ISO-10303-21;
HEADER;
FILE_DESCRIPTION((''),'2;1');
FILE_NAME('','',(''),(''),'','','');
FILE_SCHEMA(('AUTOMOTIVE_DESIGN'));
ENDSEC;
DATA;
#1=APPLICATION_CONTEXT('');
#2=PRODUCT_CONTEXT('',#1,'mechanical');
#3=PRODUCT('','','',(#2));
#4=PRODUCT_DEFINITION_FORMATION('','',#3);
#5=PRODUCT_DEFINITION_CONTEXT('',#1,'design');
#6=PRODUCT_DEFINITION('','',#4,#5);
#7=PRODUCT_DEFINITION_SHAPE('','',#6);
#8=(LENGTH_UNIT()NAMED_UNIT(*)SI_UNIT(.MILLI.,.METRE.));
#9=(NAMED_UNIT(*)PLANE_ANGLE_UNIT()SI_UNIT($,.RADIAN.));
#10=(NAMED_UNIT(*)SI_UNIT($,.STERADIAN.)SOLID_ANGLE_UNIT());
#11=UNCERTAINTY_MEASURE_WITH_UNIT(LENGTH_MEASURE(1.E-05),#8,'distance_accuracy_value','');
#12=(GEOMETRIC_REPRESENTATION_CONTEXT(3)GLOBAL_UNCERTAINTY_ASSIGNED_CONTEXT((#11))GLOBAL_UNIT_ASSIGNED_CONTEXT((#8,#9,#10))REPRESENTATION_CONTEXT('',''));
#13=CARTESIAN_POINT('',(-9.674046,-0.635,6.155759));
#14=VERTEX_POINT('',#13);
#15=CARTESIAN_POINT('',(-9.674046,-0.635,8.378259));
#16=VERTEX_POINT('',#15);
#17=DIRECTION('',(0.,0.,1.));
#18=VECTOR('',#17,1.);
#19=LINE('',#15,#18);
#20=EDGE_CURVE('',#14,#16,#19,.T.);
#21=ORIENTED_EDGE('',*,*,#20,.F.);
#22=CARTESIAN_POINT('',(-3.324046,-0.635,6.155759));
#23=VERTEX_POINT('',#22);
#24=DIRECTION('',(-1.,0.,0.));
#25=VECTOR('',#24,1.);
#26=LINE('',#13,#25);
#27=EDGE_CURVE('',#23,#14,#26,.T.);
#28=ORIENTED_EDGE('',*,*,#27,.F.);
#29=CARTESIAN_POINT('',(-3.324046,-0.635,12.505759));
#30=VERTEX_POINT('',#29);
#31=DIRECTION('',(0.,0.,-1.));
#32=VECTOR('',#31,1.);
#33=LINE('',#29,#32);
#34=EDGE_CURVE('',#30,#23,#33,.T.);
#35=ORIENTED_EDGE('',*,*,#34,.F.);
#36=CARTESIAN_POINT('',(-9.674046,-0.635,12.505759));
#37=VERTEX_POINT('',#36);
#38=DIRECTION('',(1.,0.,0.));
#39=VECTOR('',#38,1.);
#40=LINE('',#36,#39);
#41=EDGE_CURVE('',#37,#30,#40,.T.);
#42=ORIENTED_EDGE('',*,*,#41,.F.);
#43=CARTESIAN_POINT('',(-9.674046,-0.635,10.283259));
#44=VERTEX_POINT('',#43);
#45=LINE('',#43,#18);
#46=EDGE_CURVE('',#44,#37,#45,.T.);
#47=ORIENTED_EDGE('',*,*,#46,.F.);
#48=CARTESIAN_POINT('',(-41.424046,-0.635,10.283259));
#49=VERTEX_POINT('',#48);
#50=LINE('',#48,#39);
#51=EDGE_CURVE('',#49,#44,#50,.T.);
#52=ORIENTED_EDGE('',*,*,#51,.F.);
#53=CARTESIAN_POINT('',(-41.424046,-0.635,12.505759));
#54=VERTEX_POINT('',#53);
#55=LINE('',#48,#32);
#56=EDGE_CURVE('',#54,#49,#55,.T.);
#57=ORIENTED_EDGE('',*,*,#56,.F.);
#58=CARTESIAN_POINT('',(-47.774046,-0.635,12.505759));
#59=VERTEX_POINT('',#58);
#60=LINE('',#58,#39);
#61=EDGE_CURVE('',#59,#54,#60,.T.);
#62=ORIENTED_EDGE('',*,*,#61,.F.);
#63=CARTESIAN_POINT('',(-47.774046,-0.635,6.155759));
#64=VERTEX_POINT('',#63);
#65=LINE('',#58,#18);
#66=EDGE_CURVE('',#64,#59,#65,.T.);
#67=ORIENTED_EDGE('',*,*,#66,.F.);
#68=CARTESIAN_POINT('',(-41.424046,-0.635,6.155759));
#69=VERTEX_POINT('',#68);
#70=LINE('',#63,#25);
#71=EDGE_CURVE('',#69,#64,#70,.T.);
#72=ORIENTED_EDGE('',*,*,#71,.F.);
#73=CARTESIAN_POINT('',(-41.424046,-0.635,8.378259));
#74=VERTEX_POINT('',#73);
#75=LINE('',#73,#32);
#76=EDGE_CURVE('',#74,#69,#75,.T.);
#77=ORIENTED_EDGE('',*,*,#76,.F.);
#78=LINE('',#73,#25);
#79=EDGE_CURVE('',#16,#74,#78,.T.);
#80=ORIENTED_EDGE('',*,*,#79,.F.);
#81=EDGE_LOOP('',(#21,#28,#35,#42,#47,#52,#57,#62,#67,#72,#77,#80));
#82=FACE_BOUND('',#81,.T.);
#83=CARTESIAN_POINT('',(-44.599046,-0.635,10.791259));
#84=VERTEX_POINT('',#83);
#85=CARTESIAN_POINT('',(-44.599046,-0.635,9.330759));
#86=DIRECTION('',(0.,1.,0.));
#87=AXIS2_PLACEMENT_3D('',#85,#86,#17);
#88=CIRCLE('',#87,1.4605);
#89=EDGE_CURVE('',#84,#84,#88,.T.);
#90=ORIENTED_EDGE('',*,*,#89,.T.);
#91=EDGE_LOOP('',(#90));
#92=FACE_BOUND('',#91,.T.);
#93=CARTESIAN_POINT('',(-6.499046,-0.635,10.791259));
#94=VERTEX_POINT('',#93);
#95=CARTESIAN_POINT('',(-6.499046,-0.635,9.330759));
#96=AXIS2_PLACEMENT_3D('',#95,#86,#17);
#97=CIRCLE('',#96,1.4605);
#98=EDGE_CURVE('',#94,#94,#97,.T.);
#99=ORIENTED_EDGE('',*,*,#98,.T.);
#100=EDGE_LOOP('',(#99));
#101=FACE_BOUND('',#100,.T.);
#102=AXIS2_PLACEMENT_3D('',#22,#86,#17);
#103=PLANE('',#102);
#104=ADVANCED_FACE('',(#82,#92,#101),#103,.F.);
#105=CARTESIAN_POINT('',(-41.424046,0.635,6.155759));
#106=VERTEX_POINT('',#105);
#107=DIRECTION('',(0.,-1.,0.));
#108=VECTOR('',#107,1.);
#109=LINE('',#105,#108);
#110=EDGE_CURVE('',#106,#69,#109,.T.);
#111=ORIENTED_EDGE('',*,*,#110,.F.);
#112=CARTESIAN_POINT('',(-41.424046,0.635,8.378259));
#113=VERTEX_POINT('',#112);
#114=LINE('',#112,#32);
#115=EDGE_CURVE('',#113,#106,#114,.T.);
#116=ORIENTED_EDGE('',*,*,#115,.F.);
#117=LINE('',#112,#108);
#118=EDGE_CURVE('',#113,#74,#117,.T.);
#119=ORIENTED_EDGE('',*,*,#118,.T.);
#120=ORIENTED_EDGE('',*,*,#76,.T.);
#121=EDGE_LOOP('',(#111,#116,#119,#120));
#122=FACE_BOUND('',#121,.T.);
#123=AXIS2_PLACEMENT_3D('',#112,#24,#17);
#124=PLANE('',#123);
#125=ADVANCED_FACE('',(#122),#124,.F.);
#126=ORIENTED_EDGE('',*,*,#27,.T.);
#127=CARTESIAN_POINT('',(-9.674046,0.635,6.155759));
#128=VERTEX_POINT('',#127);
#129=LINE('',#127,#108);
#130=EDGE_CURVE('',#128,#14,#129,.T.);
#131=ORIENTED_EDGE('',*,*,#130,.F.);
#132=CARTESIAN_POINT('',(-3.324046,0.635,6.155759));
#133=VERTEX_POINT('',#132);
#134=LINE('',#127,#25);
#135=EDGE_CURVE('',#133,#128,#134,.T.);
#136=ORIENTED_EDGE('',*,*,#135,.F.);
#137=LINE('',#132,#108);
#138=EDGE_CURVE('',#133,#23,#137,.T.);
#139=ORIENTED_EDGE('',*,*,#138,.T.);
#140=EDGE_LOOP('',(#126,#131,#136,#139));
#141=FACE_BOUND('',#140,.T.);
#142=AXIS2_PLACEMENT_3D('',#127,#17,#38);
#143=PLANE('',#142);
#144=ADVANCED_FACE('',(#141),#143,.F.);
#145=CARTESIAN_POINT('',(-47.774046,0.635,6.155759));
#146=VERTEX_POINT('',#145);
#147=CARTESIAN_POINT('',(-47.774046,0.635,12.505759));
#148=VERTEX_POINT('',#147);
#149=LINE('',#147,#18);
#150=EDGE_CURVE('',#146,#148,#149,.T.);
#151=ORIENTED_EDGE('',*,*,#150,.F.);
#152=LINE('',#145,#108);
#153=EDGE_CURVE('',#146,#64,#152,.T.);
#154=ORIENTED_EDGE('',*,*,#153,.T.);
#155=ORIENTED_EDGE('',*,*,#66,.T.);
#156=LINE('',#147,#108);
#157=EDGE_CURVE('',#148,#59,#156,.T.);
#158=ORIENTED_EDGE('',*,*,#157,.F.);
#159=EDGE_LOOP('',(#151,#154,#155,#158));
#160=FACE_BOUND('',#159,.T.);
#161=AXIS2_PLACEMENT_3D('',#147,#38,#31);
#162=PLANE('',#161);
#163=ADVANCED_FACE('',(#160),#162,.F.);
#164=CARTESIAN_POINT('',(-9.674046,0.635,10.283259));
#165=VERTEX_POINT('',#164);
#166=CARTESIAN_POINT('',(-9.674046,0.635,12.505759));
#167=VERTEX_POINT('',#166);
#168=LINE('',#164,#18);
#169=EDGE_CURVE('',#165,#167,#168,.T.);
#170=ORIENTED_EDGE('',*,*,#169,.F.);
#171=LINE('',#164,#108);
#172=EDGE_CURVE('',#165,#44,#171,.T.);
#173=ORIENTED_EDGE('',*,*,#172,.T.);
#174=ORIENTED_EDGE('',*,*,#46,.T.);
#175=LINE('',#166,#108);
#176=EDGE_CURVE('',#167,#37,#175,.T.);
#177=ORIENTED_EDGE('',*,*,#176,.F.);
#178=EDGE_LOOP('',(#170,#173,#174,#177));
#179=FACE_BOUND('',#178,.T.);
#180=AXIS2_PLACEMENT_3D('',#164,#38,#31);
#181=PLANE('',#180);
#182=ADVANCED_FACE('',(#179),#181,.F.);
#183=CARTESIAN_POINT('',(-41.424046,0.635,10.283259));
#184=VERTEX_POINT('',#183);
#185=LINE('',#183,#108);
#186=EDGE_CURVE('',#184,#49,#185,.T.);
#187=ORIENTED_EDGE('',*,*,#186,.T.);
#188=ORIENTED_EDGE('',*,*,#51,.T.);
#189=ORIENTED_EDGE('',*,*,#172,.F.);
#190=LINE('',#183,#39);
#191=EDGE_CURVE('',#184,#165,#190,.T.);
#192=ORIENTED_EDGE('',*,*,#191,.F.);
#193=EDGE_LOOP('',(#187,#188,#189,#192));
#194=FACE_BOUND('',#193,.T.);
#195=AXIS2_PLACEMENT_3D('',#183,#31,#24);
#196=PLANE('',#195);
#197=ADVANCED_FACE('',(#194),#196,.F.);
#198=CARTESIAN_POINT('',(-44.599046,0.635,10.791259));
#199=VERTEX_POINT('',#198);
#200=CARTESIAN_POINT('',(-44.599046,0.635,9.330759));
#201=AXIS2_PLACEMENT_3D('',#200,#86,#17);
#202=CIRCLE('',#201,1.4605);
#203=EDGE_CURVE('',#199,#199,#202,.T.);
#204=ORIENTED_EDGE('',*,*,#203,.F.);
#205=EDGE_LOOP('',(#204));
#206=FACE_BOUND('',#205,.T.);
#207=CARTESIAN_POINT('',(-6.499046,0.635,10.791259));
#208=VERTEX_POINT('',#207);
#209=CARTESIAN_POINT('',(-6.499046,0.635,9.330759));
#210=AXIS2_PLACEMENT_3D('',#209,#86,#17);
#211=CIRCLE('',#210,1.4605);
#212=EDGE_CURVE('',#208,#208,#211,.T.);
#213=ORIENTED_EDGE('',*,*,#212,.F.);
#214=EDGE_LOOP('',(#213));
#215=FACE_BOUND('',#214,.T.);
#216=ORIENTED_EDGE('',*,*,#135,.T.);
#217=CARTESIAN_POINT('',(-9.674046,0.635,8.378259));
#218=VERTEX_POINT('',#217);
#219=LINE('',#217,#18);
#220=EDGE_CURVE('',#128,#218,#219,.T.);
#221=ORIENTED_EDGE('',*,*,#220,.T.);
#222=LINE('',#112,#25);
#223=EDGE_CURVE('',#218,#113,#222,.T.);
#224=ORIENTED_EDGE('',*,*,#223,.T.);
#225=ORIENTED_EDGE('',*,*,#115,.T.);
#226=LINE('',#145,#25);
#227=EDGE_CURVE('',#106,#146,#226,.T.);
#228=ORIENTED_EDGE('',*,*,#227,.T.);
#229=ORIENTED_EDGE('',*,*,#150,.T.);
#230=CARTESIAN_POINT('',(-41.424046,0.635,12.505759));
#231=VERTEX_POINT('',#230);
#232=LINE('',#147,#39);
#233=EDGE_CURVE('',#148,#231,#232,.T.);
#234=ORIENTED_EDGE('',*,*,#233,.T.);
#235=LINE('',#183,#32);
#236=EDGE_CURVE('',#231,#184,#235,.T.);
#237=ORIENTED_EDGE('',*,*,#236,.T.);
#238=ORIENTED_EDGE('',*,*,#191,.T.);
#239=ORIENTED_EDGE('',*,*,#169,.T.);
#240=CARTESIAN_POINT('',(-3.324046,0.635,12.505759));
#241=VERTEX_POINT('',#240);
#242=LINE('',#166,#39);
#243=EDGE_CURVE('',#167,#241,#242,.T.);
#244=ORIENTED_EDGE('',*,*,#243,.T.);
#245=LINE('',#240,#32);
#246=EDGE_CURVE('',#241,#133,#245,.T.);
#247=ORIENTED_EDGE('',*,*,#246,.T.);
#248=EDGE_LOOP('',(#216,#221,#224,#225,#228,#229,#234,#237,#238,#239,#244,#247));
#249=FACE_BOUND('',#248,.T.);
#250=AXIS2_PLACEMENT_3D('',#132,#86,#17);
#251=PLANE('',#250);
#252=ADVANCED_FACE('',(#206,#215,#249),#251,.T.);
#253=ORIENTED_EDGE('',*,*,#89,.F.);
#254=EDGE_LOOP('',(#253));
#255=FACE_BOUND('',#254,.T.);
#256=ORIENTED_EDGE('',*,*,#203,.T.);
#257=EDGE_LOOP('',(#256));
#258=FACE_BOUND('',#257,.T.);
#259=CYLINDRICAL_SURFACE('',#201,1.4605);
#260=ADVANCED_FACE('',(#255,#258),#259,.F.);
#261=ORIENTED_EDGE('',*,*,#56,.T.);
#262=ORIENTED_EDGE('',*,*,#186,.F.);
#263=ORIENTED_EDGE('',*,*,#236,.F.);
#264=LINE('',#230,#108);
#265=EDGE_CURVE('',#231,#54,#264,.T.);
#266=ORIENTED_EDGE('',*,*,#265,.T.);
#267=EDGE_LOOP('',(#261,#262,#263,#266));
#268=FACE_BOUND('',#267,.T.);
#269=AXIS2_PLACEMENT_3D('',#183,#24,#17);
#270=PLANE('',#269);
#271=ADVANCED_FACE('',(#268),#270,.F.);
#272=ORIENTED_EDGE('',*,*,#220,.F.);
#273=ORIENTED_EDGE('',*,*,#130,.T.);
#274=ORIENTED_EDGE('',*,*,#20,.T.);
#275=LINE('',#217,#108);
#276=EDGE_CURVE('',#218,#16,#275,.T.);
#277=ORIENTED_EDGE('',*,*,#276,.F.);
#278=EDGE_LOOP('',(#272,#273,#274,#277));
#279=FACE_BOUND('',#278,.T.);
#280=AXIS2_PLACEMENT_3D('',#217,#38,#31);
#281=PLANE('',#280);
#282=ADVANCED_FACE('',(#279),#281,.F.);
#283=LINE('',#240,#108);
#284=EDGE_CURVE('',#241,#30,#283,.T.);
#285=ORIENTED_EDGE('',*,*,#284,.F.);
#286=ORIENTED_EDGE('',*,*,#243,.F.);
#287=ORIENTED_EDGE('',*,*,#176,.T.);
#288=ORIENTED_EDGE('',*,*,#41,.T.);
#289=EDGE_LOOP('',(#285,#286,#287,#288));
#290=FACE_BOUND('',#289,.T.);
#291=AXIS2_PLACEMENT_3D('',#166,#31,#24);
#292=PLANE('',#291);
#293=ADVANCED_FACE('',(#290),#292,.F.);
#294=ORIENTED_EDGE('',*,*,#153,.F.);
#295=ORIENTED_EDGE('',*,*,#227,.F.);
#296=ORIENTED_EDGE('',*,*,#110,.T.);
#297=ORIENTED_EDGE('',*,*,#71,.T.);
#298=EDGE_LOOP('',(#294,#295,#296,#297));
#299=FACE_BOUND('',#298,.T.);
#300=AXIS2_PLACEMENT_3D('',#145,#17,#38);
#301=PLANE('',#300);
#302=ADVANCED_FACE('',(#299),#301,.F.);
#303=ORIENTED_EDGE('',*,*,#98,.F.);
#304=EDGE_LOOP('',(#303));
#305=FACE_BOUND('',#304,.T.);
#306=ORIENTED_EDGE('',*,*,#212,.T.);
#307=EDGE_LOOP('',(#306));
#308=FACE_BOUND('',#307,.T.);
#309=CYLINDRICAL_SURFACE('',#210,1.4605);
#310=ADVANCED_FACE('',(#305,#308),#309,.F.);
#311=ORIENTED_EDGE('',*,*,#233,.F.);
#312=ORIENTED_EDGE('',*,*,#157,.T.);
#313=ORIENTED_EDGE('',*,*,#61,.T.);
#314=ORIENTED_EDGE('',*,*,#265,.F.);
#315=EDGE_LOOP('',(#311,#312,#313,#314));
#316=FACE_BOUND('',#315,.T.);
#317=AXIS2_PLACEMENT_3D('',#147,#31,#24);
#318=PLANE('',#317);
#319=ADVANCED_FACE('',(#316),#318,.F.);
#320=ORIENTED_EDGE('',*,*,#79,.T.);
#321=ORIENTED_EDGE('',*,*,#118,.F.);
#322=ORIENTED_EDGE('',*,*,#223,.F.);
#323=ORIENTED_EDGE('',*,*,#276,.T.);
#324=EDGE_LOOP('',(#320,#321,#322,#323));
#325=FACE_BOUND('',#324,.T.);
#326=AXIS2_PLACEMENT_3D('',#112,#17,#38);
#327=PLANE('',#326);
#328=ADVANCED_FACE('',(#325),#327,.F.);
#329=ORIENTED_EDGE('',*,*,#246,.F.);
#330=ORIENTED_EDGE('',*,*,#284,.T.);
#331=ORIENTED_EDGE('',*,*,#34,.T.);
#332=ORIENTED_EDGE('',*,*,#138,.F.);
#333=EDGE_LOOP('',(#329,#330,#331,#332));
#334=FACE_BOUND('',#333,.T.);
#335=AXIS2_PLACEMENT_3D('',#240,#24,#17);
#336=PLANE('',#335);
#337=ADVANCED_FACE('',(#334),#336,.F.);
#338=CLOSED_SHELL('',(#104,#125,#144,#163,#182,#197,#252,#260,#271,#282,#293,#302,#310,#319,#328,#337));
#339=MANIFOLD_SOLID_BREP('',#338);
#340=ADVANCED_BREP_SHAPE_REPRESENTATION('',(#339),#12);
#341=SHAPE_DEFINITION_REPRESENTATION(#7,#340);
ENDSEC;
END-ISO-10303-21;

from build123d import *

# Parameters (mm, degrees)
BOSS_EXTRUDE1_DEPTH          = 0.635
F_97_0_0059_DIAMETER_HOLE1_D = 2.921


with BuildPart() as part:
    # Sketch1 → Boss-Extrude1 (new, symmetric)
    with BuildSketch(Plane(origin=(0, 0, 0), x_dir=(1, 0, 0), z_dir=(0, 1, 0))):
        Polygon((-41.424046485, -10.283259465), (-41.424046485, -12.505759465), (-47.774046485, -12.505759465), (-47.774046485, -6.155759465), (-41.424046485, -6.155759465), (-41.424046485, -8.378259465), (-9.674046485, -8.378259465), (-9.674046485, -6.155759465), (-3.324046485, -6.155759465), (-3.324046485, -12.505759465), (-9.674046485, -12.505759465), (-9.674046485, -10.283259465), align=None)
    extrude(amount=BOSS_EXTRUDE1_DEPTH, both=True)

    # #97 (0.0059) Diameter Hole1 (through all)
    with Locations(Plane(origin=(0, 0.635, 0), x_dir=(-1, 0, 0), z_dir=(0, 1, 0))):
        with Locations((44.599046485, 9.330759465)):
            f_97_0_0059_diameter_hole1 = Hole(F_97_0_0059_DIAMETER_HOLE1_D / 2)

    # Mirror1: #97 (0.0059) Diameter Hole1 across plane
    add(f_97_0_0059_diameter_hole1.mirror(Plane(origin=(-25.549046485, 0, 0), x_dir=(0, 0, 1), z_dir=(1, 0, 0))), mode=Mode.SUBTRACT)


solid = part.part
